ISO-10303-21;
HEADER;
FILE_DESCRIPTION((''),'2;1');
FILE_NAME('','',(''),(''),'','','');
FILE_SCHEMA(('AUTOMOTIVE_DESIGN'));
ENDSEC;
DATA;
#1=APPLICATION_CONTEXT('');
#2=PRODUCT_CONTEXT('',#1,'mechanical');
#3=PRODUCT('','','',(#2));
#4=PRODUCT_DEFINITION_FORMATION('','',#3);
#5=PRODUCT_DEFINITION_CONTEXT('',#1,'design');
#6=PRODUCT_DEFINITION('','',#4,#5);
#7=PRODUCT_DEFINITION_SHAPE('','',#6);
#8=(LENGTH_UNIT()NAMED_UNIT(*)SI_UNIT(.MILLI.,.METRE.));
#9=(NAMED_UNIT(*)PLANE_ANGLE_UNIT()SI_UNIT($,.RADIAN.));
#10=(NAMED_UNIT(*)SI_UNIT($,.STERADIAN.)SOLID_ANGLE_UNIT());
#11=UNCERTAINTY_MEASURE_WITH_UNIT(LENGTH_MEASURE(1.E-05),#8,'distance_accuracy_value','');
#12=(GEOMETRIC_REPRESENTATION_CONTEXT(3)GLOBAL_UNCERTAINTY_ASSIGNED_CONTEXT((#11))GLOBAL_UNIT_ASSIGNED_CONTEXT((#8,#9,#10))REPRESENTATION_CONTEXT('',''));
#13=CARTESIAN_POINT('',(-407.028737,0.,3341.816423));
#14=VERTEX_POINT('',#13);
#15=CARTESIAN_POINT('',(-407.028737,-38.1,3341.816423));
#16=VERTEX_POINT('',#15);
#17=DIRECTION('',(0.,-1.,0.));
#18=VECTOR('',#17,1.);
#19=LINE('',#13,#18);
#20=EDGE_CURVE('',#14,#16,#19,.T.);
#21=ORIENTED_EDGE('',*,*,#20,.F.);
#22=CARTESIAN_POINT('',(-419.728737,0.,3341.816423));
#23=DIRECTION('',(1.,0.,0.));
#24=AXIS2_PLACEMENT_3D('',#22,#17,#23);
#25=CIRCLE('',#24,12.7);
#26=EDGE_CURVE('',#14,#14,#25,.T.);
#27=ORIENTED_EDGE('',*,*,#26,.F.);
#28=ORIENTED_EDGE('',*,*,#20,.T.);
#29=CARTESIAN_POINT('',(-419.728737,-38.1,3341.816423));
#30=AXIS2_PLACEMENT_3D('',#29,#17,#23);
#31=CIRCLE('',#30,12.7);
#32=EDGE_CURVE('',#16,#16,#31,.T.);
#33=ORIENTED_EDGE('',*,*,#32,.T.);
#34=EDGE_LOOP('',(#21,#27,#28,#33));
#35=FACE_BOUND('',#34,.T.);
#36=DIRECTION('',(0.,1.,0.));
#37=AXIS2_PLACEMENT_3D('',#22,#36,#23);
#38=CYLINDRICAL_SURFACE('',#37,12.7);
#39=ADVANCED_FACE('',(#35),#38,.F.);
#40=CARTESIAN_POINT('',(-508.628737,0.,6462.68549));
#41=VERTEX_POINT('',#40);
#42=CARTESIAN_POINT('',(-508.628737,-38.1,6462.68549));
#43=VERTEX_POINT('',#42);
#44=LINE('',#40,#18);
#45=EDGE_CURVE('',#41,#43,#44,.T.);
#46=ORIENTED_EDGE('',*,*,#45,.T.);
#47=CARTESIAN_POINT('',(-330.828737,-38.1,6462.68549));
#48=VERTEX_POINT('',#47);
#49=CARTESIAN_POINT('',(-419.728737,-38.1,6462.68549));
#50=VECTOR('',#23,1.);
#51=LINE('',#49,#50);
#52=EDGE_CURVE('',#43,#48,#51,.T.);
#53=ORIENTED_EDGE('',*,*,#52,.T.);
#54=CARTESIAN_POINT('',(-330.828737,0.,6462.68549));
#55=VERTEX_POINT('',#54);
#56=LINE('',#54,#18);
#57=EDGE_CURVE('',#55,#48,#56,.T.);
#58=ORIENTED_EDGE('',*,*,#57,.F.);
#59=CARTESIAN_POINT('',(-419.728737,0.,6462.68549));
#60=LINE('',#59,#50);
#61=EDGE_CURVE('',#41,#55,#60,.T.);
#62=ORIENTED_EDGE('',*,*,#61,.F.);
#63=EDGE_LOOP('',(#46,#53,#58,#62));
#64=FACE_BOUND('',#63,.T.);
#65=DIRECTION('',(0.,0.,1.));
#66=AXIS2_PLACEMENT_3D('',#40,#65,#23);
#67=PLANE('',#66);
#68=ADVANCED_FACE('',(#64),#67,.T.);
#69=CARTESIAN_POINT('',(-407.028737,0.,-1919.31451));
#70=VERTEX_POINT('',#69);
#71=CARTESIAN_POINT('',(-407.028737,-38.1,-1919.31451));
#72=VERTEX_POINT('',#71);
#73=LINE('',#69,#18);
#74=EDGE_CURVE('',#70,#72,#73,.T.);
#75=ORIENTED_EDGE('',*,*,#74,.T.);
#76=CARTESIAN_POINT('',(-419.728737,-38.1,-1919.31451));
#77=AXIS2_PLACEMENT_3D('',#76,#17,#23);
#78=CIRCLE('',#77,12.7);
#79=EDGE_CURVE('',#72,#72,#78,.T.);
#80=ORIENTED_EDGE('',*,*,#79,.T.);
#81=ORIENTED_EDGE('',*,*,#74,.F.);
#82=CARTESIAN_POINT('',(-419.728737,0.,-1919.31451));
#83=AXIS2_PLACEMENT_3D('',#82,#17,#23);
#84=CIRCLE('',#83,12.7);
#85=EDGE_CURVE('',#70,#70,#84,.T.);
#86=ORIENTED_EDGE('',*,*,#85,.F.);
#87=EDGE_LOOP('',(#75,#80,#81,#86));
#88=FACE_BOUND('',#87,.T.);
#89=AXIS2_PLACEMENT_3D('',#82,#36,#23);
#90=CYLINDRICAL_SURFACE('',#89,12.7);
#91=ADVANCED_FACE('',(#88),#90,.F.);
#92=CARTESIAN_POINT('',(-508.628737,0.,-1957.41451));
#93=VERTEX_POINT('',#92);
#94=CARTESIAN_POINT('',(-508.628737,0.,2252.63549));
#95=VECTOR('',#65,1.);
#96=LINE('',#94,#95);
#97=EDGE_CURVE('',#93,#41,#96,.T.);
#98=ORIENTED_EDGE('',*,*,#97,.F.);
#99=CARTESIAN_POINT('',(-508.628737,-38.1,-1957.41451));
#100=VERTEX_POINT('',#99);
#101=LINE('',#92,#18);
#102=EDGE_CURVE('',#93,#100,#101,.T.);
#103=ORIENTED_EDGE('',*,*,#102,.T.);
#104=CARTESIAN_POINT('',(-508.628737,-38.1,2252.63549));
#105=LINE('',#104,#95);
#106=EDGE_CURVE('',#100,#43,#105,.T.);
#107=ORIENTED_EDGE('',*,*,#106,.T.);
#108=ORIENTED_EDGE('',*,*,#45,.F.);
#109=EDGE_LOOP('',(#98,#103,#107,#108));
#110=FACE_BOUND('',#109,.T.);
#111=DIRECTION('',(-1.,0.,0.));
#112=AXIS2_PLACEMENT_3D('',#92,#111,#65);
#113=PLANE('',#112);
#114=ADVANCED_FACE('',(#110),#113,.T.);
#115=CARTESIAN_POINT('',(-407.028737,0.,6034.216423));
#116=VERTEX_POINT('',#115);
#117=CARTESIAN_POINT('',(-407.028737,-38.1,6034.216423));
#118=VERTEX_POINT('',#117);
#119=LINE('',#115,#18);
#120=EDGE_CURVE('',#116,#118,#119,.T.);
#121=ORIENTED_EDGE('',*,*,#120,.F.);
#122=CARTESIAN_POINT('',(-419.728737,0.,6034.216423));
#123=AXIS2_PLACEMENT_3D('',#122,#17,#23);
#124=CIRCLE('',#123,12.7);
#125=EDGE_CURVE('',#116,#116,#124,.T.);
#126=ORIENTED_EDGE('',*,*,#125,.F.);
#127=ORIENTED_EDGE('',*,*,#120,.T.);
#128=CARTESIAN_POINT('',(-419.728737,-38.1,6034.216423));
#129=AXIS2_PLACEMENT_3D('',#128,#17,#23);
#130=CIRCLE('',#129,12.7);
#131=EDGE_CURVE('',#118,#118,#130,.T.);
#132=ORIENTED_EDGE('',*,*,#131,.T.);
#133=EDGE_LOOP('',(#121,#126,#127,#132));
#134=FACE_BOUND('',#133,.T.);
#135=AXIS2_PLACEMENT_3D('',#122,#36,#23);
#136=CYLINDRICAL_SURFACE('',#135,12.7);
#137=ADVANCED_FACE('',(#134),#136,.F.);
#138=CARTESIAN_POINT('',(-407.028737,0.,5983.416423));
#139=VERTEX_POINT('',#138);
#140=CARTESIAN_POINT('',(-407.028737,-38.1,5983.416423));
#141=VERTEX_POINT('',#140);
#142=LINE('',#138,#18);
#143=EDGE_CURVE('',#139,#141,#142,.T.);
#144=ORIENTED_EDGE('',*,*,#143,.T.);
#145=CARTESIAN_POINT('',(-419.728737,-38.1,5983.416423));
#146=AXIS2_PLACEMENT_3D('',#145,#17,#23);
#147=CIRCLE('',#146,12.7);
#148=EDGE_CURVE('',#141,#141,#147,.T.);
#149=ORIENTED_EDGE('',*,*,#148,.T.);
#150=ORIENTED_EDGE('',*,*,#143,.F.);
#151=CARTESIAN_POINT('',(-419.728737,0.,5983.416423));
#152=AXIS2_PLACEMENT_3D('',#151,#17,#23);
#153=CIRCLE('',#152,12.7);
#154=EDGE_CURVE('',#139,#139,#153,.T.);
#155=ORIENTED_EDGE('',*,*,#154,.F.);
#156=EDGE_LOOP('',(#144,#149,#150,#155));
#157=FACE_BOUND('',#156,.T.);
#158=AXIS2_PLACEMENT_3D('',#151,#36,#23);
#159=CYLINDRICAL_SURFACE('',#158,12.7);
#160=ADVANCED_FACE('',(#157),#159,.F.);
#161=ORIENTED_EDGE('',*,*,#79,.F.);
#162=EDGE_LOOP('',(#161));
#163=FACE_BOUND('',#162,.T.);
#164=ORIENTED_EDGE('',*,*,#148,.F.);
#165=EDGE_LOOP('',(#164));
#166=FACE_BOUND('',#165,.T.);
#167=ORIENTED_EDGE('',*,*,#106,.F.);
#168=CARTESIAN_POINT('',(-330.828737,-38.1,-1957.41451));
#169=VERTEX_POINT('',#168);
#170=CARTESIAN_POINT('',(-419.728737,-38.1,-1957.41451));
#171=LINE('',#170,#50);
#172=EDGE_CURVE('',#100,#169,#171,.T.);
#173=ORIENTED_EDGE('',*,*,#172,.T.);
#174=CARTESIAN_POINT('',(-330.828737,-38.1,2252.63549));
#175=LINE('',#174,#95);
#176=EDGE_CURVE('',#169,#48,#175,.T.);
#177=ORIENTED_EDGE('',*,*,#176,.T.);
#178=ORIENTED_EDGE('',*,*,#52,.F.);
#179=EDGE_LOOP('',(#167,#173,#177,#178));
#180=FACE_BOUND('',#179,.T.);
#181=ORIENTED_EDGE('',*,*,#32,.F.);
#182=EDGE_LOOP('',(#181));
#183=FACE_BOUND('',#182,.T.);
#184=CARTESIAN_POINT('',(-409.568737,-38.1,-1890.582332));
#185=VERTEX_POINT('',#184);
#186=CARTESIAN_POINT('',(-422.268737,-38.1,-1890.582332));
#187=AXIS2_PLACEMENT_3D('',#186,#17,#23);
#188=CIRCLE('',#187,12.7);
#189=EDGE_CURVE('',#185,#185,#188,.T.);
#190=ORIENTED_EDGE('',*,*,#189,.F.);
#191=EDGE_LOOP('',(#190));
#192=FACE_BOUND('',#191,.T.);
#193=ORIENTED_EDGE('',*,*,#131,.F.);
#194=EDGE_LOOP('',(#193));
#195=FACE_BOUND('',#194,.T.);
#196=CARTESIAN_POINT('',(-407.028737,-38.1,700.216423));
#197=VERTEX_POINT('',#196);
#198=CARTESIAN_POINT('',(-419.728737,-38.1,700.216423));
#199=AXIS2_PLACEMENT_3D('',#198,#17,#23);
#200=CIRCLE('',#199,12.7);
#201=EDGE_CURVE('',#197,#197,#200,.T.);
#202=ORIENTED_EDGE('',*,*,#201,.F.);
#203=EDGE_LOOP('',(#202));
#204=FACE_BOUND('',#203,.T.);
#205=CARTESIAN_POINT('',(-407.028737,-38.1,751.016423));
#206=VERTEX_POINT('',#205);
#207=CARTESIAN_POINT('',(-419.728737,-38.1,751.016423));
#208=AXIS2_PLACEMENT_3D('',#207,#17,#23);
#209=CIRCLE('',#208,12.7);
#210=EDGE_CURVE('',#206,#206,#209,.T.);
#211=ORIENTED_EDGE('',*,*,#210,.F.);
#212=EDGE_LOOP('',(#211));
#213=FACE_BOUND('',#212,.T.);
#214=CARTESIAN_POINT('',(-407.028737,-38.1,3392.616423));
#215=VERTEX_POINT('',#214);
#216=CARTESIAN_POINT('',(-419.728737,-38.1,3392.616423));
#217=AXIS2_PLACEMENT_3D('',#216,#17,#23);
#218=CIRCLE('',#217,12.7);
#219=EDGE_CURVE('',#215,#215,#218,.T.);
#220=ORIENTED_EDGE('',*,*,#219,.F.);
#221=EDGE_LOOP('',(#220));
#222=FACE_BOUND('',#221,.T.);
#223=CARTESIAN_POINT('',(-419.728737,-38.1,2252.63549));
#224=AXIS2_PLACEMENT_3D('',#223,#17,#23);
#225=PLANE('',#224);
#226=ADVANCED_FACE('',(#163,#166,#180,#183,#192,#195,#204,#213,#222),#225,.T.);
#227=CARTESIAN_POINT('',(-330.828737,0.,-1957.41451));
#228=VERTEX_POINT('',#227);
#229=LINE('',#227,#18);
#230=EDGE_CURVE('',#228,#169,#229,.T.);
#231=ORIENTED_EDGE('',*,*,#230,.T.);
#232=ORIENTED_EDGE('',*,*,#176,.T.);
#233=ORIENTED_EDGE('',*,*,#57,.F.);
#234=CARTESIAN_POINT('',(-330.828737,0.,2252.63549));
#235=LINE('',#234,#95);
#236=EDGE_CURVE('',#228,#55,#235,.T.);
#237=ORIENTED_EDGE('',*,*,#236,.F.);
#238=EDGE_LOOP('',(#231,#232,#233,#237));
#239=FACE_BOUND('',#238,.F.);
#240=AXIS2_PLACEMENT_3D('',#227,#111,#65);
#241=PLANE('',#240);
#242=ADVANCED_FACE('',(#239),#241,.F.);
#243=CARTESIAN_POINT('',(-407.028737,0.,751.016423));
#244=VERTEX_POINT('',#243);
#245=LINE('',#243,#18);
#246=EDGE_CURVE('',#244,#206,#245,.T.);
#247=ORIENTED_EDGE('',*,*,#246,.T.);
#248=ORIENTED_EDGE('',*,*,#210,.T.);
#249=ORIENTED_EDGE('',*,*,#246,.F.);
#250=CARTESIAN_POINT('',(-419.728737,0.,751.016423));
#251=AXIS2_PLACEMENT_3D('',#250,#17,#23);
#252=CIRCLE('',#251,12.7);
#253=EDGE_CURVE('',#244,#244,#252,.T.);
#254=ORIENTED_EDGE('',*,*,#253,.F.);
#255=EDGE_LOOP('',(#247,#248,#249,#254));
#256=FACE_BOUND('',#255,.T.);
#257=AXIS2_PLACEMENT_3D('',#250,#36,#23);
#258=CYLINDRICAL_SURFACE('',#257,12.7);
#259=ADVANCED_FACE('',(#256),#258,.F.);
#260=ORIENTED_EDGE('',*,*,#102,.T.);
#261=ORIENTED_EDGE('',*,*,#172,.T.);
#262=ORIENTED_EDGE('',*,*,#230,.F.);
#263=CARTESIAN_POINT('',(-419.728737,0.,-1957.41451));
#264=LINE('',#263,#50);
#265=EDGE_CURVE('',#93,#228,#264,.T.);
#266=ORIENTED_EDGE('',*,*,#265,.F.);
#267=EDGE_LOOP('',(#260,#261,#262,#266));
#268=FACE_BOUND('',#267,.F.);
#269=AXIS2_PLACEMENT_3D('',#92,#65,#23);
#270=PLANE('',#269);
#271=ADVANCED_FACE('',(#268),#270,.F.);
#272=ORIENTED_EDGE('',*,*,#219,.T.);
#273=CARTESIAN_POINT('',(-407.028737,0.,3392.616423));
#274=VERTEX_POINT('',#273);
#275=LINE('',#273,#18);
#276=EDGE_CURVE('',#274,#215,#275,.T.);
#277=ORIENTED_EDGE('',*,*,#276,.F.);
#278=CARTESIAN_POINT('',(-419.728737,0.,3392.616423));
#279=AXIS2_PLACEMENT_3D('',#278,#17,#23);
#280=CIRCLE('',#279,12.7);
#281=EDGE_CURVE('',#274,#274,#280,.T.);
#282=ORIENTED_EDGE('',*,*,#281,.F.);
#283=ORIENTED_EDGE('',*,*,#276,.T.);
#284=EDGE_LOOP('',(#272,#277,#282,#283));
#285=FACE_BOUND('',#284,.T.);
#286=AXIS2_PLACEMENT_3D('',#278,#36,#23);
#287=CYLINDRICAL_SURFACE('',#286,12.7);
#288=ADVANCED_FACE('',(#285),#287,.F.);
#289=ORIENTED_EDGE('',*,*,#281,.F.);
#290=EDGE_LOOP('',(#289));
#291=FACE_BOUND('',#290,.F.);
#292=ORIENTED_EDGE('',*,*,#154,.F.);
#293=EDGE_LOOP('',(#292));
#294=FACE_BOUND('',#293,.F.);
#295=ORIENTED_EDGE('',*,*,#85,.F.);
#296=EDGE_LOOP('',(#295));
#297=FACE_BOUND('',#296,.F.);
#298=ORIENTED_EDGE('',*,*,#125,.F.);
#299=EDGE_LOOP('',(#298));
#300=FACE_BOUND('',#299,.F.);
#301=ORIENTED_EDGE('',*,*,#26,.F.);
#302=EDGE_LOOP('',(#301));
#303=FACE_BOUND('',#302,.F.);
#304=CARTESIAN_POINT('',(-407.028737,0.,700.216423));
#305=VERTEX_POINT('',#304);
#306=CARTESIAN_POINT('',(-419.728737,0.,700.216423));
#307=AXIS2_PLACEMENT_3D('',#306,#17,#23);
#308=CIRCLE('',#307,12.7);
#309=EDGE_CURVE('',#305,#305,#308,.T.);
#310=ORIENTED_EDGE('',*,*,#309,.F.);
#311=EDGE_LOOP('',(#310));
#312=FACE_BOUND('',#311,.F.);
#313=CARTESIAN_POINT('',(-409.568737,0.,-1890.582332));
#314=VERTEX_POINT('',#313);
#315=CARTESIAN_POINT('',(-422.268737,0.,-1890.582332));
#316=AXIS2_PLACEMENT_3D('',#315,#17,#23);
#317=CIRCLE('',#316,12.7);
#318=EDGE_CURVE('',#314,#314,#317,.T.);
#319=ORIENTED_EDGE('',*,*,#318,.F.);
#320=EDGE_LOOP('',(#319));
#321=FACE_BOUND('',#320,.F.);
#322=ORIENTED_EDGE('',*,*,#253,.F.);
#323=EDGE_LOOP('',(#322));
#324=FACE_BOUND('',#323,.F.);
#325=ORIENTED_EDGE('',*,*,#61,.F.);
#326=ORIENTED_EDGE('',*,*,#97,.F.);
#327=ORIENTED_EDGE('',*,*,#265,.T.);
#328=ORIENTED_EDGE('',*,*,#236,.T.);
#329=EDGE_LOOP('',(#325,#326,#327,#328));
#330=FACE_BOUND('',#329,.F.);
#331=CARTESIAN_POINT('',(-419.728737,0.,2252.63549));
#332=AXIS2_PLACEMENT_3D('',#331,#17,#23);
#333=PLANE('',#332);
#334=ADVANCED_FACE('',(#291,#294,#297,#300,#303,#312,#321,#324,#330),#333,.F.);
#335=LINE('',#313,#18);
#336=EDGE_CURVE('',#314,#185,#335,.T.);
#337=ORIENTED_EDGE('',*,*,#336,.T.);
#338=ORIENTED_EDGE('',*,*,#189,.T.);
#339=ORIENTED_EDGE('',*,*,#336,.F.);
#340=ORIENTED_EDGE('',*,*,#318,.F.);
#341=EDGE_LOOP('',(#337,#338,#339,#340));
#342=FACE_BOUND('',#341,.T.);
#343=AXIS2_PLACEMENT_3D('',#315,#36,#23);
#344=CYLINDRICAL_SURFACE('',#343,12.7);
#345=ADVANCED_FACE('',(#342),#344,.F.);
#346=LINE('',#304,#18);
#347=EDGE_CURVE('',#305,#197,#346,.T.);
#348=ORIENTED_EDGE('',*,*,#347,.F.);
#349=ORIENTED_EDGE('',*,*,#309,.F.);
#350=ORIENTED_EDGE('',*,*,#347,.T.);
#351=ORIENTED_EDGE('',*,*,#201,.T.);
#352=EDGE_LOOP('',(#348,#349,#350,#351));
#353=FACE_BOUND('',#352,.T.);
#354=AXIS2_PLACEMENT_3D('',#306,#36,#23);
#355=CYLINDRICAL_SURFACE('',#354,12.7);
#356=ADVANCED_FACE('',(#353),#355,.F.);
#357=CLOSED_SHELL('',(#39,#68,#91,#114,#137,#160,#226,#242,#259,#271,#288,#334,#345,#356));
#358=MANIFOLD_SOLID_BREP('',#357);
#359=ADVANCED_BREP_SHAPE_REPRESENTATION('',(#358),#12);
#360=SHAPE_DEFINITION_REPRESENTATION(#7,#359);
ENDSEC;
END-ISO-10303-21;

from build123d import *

# Parameters (mm, degrees)
F0_W     = 177.8
F0_H     = 8420.1
F0_R     = 12.7
F1_DEPTH = 38.1


with BuildPart() as f1:
    # F0 (on Front) → F1 (new body)
    with BuildSketch(Plane.XZ):
        with Locations((-419.728737, 2252.63549)):
            Rectangle(F0_W, F0_H)
        with Locations((-422.268737, -1890.582332)):
            Circle(F0_R, mode=Mode.SUBTRACT)
        with Locations((-419.728737, -1919.31451)):
            Circle(F0_R, mode=Mode.SUBTRACT)
        with Locations((-419.728737, 700.216423)):
            Circle(F0_R, mode=Mode.SUBTRACT)
        with Locations((-419.728737, 751.016423)):
            Circle(F0_R, mode=Mode.SUBTRACT)
        with Locations((-419.728737, 3341.816423)):
            Circle(F0_R, mode=Mode.SUBTRACT)
        with Locations((-419.728737, 3392.616423)):
            Circle(F0_R, mode=Mode.SUBTRACT)
        with Locations((-419.728737, 5983.416423)):
            Circle(F0_R, mode=Mode.SUBTRACT)
        with Locations((-419.728737, 6034.216423)):
            Circle(F0_R, mode=Mode.SUBTRACT)
    extrude(amount=F1_DEPTH)


solid = f1.part
